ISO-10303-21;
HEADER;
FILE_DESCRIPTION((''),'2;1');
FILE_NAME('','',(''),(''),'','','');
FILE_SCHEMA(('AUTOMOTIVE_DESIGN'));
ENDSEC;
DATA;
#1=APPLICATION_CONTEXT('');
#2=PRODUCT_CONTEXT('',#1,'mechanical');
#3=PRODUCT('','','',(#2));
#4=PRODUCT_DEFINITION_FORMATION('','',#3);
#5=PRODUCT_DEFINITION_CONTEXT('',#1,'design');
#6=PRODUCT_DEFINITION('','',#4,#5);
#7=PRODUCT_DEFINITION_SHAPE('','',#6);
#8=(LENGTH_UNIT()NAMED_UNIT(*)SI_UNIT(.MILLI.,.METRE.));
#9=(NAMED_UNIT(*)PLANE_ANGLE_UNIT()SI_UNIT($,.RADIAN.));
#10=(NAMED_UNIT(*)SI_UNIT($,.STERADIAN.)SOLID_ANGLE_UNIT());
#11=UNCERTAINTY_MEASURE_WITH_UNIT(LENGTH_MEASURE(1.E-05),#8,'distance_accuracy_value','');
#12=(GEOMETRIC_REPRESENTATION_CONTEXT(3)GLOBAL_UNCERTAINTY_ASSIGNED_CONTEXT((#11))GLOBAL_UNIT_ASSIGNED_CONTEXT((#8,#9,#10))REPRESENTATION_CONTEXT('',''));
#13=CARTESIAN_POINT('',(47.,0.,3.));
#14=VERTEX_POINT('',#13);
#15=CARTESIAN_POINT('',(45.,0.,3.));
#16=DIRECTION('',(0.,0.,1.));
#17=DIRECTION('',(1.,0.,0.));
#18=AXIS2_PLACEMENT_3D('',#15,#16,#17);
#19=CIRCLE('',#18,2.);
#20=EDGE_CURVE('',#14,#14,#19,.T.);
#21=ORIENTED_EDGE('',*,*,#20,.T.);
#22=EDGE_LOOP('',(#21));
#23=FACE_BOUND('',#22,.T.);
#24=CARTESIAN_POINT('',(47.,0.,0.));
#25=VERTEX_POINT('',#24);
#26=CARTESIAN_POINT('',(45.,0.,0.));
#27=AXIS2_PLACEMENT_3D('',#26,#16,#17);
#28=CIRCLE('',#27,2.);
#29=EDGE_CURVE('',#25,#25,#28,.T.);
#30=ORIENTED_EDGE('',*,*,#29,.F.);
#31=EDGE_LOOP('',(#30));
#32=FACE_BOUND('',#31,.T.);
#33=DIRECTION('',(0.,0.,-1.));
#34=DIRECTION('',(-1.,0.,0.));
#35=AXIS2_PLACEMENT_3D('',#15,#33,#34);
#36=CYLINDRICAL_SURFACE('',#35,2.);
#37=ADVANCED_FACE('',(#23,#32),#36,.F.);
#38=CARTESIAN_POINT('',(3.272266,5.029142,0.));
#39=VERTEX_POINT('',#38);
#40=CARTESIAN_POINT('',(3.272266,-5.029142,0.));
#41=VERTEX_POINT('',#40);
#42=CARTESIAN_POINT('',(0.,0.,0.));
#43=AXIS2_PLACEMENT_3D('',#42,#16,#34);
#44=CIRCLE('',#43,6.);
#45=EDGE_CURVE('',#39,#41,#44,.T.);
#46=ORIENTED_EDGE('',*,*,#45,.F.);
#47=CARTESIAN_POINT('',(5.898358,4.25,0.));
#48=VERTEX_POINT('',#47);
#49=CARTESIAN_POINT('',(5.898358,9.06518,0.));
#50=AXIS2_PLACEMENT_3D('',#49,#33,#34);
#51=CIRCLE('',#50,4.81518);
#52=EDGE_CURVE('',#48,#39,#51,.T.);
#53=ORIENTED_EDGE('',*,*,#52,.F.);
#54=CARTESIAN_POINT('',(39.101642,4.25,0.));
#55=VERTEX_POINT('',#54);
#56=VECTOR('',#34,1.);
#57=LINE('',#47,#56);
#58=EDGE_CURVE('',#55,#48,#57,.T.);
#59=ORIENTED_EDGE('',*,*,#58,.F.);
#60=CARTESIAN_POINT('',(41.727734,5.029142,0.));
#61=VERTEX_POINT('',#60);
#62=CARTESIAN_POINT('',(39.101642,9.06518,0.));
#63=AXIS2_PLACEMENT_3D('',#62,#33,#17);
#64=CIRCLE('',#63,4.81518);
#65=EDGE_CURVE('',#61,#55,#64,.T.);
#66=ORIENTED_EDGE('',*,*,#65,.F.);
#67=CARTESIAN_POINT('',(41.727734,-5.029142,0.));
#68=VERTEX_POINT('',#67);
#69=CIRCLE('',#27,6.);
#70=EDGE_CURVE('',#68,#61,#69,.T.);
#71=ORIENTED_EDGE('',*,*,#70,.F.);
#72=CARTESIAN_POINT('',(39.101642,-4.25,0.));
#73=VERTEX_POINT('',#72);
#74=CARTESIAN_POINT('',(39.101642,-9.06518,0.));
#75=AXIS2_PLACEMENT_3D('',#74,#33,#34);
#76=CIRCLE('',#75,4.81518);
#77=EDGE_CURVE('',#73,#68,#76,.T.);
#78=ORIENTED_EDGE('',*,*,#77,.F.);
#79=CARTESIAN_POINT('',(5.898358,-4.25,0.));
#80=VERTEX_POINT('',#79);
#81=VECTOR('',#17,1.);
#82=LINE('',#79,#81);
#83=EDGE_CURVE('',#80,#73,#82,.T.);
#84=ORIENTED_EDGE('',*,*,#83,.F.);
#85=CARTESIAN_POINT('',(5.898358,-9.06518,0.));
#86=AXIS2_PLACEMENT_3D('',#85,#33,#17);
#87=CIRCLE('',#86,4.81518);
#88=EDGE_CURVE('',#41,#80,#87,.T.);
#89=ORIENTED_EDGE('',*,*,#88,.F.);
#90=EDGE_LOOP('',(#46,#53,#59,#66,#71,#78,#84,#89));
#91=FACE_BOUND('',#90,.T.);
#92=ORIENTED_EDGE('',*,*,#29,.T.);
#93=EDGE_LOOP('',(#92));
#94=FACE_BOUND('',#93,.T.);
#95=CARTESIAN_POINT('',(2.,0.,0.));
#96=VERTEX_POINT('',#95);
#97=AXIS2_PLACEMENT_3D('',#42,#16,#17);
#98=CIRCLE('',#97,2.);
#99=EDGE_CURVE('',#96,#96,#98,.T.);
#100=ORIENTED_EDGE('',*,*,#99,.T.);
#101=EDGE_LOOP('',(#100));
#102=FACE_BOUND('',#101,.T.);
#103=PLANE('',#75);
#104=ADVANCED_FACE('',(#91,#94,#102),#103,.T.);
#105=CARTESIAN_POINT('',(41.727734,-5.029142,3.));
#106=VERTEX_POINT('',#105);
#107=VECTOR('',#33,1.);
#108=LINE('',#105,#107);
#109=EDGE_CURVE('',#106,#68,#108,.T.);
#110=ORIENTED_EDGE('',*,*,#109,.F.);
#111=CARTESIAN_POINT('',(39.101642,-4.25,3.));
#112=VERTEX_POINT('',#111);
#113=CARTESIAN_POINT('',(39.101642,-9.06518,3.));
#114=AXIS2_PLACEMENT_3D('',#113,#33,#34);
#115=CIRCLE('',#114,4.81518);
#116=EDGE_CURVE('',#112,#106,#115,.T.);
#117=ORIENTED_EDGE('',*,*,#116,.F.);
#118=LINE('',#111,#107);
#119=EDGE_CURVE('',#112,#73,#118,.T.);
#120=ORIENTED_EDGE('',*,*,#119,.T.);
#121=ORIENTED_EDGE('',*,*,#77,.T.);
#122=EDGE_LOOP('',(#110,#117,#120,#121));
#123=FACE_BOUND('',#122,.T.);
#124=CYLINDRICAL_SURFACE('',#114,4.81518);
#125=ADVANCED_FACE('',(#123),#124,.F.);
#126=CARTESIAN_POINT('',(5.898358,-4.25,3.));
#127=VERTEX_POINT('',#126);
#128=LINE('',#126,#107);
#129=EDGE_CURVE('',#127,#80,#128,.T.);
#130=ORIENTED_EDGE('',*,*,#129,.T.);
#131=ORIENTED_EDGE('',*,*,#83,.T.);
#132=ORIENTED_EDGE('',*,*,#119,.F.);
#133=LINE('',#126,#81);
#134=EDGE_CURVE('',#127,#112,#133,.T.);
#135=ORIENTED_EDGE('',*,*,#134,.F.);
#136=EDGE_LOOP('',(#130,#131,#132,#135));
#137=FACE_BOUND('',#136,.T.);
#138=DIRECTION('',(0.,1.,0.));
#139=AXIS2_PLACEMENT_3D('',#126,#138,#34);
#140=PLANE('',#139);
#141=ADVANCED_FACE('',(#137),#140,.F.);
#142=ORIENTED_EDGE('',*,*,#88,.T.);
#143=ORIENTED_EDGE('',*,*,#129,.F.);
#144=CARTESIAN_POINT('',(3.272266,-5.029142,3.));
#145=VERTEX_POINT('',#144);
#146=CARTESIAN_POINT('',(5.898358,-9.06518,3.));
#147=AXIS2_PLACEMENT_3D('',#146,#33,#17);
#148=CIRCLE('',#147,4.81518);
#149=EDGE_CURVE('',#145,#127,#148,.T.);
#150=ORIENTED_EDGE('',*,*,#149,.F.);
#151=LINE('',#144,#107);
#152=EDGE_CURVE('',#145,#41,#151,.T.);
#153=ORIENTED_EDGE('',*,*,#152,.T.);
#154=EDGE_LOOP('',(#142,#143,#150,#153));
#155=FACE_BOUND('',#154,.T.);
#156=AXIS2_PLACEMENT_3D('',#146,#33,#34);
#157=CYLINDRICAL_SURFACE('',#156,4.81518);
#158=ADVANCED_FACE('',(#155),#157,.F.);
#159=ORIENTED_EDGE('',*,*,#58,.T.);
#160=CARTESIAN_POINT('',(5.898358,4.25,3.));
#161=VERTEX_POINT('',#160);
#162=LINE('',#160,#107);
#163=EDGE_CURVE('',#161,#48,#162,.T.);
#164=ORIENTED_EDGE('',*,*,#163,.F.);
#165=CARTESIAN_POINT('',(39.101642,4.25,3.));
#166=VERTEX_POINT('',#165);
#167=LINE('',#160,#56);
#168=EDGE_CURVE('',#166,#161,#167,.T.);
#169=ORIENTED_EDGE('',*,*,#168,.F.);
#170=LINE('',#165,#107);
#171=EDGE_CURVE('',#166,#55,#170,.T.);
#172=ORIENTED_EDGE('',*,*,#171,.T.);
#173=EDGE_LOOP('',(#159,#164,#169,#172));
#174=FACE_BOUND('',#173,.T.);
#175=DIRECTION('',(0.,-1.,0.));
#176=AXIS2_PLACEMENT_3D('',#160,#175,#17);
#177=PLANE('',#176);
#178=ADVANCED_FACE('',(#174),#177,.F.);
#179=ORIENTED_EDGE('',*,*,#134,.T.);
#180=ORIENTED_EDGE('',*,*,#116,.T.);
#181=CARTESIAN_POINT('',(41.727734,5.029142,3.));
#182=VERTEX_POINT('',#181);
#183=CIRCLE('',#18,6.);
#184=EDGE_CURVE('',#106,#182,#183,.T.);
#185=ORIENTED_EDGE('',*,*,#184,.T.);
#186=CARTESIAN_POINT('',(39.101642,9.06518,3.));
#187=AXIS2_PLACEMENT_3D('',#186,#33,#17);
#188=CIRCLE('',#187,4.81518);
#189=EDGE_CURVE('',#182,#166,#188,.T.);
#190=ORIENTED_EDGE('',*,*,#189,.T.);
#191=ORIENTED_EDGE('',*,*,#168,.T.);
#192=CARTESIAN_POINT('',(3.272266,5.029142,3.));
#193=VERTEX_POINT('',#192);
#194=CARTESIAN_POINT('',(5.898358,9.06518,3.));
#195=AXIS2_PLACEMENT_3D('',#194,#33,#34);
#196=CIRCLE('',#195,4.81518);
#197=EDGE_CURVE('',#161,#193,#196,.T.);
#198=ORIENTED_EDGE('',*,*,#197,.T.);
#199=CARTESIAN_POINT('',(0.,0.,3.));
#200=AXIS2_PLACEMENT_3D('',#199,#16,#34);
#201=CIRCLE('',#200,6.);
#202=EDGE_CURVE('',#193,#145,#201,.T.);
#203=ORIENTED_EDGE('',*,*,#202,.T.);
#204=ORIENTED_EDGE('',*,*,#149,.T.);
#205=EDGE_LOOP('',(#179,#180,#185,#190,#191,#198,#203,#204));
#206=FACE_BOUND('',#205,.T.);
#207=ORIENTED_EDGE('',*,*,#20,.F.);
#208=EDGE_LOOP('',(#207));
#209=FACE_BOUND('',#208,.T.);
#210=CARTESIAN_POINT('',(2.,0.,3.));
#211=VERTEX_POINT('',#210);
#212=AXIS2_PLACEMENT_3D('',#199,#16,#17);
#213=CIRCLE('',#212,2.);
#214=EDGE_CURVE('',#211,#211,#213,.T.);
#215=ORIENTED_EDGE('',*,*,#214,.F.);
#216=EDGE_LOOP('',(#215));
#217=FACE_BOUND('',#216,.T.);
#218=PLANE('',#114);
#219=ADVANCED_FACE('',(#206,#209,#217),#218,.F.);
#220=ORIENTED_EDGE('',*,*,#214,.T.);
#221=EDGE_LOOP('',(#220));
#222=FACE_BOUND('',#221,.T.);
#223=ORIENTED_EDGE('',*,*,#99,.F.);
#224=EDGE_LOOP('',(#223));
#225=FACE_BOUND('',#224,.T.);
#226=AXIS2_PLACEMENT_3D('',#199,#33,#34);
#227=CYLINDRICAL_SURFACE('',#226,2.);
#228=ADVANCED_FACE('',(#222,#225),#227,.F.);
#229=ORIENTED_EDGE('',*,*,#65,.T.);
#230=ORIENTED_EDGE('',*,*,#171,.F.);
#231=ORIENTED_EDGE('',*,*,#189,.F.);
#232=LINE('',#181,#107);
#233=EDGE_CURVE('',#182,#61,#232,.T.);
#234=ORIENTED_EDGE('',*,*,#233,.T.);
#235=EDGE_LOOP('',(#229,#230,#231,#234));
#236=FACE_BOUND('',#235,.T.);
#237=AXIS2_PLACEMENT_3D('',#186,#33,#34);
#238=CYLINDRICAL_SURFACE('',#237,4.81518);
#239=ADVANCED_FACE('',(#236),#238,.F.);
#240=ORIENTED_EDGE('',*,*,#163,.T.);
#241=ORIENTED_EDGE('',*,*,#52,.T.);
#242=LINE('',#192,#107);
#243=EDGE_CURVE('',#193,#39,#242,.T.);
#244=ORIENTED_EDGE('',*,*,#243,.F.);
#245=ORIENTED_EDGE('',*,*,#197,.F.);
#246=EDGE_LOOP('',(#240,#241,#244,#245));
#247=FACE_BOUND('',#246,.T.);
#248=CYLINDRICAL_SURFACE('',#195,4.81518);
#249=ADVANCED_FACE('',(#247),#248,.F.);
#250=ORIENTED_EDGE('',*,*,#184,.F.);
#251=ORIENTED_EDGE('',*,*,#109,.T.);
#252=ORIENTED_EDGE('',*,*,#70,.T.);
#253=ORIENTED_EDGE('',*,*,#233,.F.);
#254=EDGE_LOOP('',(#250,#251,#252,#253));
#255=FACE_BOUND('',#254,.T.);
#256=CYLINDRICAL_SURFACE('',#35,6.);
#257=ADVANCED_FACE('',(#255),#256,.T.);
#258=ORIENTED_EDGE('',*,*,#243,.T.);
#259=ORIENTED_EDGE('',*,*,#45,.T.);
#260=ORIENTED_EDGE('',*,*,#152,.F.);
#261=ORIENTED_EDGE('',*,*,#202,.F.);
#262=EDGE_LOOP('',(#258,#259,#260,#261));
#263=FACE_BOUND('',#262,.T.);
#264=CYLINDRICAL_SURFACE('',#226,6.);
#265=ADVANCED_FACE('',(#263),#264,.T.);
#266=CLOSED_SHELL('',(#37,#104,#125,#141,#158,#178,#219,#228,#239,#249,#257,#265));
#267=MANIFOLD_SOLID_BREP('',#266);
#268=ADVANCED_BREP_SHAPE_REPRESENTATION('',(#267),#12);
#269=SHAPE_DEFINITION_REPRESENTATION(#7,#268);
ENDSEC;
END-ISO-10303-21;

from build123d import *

# Parameters (mm, degrees)
SKETCH_1_R      = 2
EXTRUDE_1_DEPTH = 3


with BuildPart() as part:
    # 草图1 → 凸台-拉伸1 (new body)
    with BuildSketch(Plane.XY):
        with BuildLine():
            Line((5.898358373, 4.25), (39.101641627, 4.25))
            ThreePointArc((39.101641627, 4.25), (40.471260422, 4.448893293), (41.727733719, 5.029142411))
            ThreePointArc((41.727733719, 5.029142411), (51, 0), (41.727733719, -5.029142411))
            ThreePointArc((41.727733719, -5.029142411), (40.471260422, -4.448893293), (39.101641627, -4.25))
            Line((39.101641627, -4.25), (5.898358373, -4.25))
            ThreePointArc((5.898358373, -4.25), (4.528739578, -4.448893293), (3.272266281, -5.029142411))
            ThreePointArc((3.272266281, -5.029142411), (-6, 0), (3.272266281, 5.029142411))
            ThreePointArc((3.272266281, 5.029142411), (4.528739578, 4.448893293), (5.898358373, 4.25))
        make_face()
        Circle(SKETCH_1_R, mode=Mode.SUBTRACT)
        with Locations((45, 0)):
            Circle(SKETCH_1_R, mode=Mode.SUBTRACT)
    extrude(amount=EXTRUDE_1_DEPTH)


solid = part.part
